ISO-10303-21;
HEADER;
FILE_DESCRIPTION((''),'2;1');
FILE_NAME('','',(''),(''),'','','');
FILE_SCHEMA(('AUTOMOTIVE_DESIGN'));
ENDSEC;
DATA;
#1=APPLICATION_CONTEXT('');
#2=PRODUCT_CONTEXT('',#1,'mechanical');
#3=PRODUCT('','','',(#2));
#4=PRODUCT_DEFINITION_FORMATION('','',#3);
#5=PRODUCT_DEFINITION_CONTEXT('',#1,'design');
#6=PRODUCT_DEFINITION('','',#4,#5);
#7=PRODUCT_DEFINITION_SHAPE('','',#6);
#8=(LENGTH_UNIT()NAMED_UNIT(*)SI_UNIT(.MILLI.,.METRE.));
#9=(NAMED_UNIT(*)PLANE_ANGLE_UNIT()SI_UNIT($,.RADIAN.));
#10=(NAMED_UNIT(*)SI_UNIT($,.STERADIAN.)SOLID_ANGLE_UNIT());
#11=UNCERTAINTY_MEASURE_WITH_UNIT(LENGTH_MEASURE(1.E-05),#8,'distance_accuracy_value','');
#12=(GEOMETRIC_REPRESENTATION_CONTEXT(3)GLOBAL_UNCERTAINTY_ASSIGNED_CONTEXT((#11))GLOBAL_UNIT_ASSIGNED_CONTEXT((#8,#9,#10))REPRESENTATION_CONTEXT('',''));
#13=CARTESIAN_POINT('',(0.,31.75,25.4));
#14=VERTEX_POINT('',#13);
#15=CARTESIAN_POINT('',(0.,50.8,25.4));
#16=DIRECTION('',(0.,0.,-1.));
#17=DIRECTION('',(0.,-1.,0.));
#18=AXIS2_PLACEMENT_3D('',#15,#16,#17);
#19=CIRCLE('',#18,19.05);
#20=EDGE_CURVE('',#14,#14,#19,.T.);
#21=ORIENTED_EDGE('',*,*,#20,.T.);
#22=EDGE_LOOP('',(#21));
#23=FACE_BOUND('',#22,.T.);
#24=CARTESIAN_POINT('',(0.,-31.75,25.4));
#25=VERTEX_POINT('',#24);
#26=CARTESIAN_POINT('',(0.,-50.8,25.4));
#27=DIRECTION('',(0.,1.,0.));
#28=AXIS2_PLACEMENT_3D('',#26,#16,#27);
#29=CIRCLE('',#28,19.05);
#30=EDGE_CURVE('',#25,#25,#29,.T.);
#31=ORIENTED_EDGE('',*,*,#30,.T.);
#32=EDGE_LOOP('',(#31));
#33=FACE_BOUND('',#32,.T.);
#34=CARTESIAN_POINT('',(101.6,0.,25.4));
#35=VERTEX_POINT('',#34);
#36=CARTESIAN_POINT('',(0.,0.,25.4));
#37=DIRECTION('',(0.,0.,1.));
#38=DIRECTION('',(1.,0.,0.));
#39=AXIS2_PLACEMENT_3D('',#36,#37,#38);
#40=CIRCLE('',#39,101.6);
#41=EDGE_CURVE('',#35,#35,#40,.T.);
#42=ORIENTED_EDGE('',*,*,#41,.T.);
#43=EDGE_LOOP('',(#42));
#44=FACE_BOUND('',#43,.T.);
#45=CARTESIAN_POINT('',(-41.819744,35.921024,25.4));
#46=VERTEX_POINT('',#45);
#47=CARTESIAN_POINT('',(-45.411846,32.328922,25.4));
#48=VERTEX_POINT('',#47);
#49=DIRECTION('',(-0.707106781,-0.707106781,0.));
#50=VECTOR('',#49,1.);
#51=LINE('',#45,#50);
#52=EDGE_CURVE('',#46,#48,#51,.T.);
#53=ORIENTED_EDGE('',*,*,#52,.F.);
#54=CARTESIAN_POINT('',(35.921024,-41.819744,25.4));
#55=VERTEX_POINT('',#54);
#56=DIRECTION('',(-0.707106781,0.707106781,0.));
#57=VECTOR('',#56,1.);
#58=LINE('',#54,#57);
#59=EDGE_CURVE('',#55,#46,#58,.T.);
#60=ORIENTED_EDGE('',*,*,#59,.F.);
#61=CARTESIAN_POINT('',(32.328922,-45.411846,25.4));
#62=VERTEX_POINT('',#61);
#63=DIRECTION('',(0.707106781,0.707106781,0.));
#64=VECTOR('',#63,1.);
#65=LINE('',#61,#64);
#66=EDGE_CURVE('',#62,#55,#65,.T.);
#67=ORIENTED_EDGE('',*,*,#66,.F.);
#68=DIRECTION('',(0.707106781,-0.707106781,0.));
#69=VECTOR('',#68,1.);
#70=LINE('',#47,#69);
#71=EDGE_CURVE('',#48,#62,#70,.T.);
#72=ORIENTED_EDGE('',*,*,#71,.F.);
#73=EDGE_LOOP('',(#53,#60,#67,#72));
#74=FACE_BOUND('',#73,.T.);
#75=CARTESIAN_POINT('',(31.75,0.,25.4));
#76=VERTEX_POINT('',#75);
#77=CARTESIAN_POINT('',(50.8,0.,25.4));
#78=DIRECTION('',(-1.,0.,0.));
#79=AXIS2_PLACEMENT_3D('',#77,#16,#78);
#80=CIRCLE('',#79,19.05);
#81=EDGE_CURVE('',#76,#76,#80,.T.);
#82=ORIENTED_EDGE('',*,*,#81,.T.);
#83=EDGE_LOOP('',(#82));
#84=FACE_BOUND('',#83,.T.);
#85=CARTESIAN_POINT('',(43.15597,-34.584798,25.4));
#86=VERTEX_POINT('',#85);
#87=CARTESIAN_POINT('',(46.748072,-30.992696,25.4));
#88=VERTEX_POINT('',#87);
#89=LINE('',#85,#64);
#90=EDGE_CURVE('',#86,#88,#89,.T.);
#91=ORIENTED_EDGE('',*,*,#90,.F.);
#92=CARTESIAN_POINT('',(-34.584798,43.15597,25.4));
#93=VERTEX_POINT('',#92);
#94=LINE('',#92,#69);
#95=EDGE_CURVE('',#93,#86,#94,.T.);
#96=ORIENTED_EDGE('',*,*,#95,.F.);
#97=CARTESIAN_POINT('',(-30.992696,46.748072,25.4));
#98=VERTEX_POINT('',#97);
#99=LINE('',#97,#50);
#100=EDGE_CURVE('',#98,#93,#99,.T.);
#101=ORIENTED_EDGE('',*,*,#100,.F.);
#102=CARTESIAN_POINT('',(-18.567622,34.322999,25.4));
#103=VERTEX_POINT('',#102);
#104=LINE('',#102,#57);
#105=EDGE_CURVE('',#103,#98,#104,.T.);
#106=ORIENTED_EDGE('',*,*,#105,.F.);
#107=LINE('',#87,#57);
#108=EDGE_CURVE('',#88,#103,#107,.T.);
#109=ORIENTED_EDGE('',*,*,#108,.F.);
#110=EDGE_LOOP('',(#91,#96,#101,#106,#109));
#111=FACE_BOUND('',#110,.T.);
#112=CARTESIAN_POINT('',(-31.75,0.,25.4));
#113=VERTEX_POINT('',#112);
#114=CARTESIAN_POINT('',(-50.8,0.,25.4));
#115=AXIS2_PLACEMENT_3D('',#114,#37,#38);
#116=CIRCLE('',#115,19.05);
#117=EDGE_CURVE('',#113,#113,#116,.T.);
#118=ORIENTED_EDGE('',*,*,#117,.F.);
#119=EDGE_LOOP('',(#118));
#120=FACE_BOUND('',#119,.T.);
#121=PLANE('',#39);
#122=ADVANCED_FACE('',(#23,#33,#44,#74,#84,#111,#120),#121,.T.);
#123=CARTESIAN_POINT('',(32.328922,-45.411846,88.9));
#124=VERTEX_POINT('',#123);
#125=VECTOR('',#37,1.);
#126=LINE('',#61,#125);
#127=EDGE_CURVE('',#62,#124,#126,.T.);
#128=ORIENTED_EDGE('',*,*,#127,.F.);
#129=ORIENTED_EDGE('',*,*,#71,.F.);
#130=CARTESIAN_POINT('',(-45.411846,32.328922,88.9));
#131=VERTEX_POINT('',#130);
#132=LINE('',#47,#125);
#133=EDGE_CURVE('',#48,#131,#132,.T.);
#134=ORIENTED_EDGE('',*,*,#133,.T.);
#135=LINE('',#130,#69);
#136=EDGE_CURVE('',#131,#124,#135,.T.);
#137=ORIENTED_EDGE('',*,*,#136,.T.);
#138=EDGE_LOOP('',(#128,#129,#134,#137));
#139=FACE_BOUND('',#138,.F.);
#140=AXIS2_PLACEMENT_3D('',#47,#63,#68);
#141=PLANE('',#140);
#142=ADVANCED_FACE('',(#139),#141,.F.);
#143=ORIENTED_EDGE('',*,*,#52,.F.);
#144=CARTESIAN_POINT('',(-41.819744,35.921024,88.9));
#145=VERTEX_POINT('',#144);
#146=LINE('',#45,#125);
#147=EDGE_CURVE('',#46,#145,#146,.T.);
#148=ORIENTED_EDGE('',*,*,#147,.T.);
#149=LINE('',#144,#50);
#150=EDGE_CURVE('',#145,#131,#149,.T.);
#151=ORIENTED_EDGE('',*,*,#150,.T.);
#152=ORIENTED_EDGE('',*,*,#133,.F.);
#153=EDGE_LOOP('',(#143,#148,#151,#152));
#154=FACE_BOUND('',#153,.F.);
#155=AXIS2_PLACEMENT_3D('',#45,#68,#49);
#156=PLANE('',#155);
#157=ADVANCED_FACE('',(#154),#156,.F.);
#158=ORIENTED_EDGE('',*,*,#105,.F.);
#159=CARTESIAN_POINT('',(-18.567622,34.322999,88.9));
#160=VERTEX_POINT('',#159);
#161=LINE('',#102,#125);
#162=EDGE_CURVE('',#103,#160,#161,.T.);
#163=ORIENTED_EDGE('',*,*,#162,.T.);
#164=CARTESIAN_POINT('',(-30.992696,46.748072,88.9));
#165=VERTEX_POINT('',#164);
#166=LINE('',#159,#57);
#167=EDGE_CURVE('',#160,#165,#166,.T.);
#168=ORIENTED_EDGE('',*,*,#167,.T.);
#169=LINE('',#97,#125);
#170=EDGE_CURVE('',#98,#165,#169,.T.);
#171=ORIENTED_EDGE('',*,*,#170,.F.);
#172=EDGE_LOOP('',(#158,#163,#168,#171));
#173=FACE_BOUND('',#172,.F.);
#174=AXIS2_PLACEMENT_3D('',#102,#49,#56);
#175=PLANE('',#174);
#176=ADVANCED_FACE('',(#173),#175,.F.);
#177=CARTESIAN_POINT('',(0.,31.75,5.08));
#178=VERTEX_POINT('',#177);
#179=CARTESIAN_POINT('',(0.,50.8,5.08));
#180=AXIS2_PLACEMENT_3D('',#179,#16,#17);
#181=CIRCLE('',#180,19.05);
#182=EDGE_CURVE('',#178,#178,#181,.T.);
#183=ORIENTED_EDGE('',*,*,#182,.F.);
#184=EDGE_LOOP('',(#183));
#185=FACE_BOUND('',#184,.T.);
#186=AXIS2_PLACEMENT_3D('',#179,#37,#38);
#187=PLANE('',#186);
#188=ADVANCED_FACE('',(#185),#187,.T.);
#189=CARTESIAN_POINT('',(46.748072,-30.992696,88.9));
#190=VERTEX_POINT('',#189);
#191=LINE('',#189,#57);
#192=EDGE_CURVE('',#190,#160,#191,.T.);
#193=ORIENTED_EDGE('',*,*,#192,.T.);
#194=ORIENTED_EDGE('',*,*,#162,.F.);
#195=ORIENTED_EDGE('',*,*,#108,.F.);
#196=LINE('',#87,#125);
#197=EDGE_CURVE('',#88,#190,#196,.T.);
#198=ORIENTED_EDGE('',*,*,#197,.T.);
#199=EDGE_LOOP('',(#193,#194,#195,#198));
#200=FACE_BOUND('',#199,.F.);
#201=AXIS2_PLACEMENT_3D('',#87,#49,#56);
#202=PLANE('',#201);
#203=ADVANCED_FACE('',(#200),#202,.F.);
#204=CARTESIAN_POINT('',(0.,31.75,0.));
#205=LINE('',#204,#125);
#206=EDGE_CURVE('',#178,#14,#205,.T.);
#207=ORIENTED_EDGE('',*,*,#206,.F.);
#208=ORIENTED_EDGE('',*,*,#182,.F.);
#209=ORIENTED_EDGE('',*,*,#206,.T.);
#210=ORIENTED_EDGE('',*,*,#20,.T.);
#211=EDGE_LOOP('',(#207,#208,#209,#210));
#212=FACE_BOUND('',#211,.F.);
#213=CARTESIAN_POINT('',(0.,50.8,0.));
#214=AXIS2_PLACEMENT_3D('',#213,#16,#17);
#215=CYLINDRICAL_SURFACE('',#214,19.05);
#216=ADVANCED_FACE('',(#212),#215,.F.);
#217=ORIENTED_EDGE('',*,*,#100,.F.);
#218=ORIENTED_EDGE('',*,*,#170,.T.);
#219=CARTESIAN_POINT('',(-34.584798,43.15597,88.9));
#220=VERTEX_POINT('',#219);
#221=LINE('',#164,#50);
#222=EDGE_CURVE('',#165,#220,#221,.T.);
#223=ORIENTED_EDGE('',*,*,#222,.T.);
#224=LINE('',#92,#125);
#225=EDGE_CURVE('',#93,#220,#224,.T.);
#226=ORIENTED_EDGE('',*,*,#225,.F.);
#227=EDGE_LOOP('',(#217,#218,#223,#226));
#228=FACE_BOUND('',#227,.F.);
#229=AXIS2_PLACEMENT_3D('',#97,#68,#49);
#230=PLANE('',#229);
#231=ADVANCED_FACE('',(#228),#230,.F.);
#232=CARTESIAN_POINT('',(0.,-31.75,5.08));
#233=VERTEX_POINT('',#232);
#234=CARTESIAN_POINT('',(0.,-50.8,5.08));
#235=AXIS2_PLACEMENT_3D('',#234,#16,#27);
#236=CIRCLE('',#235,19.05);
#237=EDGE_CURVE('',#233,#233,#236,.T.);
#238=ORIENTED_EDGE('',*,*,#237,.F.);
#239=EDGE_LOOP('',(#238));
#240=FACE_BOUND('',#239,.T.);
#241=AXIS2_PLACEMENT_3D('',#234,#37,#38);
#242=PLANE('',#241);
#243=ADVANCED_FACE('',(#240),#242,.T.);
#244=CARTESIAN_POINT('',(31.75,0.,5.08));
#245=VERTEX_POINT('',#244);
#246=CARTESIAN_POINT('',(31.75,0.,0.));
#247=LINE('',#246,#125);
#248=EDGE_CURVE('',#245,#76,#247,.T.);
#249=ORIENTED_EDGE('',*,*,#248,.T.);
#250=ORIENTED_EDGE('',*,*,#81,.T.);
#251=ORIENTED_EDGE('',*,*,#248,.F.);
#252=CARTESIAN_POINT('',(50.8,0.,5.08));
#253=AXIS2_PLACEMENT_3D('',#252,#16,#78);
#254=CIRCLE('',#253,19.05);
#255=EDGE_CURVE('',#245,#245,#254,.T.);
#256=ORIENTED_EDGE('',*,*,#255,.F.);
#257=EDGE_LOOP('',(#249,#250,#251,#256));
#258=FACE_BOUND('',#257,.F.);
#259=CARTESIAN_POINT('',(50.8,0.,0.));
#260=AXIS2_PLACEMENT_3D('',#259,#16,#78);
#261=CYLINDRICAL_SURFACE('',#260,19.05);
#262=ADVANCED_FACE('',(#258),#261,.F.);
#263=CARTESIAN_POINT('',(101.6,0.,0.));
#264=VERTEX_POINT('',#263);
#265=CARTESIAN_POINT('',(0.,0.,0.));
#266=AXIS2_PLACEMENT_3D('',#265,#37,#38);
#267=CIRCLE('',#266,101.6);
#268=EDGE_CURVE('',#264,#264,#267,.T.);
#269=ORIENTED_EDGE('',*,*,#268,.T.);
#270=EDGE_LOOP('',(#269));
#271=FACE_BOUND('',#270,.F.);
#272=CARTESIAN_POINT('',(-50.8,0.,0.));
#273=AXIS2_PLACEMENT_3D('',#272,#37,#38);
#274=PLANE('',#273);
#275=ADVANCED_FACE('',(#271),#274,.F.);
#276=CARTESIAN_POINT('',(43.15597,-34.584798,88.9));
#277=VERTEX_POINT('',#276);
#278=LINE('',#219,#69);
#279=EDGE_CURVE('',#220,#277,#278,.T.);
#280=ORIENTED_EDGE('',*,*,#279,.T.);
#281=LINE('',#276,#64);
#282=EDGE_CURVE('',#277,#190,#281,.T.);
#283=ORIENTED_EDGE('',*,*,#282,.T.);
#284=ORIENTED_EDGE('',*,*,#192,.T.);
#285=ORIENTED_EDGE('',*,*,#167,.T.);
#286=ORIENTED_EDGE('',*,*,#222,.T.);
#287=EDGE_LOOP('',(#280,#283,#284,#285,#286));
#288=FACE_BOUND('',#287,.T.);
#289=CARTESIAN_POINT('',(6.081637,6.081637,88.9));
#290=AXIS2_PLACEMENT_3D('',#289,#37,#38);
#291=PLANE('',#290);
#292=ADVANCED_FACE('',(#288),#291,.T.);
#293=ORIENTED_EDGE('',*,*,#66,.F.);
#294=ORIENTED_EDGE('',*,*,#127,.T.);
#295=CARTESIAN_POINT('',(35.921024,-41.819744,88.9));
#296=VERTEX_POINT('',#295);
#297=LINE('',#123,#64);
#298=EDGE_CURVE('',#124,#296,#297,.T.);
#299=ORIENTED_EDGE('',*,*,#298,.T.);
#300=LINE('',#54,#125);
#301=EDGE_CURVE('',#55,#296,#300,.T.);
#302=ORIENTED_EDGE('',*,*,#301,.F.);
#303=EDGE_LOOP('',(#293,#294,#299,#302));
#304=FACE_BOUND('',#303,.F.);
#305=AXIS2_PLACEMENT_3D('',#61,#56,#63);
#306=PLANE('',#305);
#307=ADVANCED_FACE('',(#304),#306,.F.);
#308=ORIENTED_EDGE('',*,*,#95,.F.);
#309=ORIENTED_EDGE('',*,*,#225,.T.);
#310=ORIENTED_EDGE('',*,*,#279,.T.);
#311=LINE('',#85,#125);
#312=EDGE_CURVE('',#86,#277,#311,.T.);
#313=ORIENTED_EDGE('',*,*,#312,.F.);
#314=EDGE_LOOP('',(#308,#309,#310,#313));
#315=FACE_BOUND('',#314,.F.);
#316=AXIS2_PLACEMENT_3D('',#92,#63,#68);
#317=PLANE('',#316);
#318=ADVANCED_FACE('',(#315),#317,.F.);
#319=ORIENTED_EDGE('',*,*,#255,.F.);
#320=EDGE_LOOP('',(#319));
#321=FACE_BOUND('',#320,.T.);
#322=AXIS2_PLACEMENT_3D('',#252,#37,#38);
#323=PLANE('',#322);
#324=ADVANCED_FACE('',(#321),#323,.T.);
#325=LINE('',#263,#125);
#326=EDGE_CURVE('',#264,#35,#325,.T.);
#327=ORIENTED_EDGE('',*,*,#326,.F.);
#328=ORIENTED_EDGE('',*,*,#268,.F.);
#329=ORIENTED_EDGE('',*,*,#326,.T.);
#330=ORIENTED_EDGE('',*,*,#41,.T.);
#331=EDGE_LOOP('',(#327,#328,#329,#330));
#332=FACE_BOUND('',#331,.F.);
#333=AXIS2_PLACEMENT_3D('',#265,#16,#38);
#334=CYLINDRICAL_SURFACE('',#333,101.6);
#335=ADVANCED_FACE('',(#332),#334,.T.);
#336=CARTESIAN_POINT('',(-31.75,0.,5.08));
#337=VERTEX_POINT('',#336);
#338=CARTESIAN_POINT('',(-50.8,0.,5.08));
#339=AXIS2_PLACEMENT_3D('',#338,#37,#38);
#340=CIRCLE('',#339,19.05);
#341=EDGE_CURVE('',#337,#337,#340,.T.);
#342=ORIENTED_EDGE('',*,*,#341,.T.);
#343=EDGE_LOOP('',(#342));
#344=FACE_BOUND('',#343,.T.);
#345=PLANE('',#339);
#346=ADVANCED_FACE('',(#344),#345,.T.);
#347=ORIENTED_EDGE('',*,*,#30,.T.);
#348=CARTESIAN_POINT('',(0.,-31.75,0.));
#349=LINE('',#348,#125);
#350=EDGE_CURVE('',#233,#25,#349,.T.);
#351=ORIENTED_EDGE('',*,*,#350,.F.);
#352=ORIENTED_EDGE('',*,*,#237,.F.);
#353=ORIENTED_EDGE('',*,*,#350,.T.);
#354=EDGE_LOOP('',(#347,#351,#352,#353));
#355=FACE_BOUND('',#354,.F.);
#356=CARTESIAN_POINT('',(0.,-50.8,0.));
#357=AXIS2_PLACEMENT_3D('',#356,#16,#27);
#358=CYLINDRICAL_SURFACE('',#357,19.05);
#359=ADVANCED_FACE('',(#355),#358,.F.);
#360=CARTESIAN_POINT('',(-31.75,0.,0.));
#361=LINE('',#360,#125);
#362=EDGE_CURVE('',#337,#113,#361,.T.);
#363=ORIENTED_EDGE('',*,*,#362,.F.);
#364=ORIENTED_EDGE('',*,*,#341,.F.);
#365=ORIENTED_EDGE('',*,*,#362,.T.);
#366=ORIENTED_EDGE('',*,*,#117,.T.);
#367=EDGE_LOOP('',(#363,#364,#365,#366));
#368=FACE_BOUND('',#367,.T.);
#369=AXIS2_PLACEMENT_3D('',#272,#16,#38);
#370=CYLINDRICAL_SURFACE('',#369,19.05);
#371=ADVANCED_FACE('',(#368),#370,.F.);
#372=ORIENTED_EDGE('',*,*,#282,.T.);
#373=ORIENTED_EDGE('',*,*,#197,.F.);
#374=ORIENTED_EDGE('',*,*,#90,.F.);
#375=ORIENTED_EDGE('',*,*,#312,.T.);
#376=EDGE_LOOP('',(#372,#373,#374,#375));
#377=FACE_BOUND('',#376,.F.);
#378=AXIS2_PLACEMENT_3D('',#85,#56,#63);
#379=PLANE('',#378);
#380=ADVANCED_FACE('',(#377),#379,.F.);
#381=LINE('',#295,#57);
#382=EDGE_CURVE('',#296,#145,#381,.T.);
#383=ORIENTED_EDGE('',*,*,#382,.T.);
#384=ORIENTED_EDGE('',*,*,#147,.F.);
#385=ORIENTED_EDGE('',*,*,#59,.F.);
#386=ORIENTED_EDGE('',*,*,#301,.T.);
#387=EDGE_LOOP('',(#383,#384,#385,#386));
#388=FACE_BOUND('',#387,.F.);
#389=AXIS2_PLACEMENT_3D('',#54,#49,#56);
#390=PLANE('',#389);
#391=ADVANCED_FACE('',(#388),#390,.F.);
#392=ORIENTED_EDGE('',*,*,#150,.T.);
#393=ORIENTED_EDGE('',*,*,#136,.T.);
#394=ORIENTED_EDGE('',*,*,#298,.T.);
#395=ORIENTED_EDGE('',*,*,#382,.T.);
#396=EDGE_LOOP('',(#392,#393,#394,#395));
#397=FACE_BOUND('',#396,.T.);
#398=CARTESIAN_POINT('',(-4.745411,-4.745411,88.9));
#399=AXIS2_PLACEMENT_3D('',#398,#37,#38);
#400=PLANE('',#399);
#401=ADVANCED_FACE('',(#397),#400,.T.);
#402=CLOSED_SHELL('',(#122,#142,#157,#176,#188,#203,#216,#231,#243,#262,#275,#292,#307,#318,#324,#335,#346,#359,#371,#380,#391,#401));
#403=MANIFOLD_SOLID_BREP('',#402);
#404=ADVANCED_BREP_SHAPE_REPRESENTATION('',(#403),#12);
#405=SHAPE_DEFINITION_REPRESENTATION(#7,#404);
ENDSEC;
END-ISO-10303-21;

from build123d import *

# Parameters (mm, degrees)
F0_R     = 101.6
F0_R_2   = 19.05
F1_DEPTH = 25.4
F2_R     = 19.05
F3_DEPTH = 5.08
F5_DEPTH = 63.5


with BuildPart() as f1:
    # F0 (on Top) → F1 (new body)
    with BuildSketch(Plane.XY):
        Circle(F0_R)
        with BuildLine():
            ThreePointArc((19.05, -50.8), (-13.4703841816, -64.2703841816), (0, -31.75))
            ThreePointArc((0, -31.75), (13.4703841816, -37.3296158184), (19.05, -50.8))
        make_face(mode=Mode.SUBTRACT)
        with Locations((-50.8, 0)):
            Circle(F0_R_2, mode=Mode.SUBTRACT)
        with BuildLine():
            ThreePointArc((69.85, 0), (50.8, -19.05), (31.75, 0))
            ThreePointArc((31.75, 0), (50.8, 19.05), (69.85, 0))
        make_face(mode=Mode.SUBTRACT)
        with BuildLine():
            ThreePointArc((19.05, 50.8), (13.4703841816, 37.3296158184), (0, 31.75))
            ThreePointArc((0, 31.75), (-13.4703841816, 64.2703841816), (19.05, 50.8))
        make_face(mode=Mode.SUBTRACT)
    extrude(amount=F1_DEPTH)

    # F2 (on Top) → F3 (join)
    with BuildSketch(Plane.XY):
        with Locations((-50.8, 0)):
            Circle(F2_R)
        with Locations((0, -50.8)):
            Circle(F2_R)
        with Locations((0, 50.8)):
            Circle(F2_R)
        with Locations((50.8, 0)):
            Circle(F2_R)
    extrude(amount=F3_DEPTH)

    # F4 (on face) → F5 (join)
    with BuildSketch(Plane.XY.offset(25.4)):
        Polygon((-45.4118463274, 32.3289220358), (-31.9414621458, 18.8585378542), (32.3289220358, -45.4118463274), (35.9210244843, -41.8197438789), (-41.8197438789, 35.9210244843), align=None)
        Polygon((46.7480724009, -30.9926959623), (-18.5676223436, 34.3229987821), (-30.9926959623, 46.7480724009), (-34.5847984107, 43.1559699525), (43.1559699525, -34.5847984107), align=None)
    extrude(amount=F5_DEPTH)


solid = f1.part
